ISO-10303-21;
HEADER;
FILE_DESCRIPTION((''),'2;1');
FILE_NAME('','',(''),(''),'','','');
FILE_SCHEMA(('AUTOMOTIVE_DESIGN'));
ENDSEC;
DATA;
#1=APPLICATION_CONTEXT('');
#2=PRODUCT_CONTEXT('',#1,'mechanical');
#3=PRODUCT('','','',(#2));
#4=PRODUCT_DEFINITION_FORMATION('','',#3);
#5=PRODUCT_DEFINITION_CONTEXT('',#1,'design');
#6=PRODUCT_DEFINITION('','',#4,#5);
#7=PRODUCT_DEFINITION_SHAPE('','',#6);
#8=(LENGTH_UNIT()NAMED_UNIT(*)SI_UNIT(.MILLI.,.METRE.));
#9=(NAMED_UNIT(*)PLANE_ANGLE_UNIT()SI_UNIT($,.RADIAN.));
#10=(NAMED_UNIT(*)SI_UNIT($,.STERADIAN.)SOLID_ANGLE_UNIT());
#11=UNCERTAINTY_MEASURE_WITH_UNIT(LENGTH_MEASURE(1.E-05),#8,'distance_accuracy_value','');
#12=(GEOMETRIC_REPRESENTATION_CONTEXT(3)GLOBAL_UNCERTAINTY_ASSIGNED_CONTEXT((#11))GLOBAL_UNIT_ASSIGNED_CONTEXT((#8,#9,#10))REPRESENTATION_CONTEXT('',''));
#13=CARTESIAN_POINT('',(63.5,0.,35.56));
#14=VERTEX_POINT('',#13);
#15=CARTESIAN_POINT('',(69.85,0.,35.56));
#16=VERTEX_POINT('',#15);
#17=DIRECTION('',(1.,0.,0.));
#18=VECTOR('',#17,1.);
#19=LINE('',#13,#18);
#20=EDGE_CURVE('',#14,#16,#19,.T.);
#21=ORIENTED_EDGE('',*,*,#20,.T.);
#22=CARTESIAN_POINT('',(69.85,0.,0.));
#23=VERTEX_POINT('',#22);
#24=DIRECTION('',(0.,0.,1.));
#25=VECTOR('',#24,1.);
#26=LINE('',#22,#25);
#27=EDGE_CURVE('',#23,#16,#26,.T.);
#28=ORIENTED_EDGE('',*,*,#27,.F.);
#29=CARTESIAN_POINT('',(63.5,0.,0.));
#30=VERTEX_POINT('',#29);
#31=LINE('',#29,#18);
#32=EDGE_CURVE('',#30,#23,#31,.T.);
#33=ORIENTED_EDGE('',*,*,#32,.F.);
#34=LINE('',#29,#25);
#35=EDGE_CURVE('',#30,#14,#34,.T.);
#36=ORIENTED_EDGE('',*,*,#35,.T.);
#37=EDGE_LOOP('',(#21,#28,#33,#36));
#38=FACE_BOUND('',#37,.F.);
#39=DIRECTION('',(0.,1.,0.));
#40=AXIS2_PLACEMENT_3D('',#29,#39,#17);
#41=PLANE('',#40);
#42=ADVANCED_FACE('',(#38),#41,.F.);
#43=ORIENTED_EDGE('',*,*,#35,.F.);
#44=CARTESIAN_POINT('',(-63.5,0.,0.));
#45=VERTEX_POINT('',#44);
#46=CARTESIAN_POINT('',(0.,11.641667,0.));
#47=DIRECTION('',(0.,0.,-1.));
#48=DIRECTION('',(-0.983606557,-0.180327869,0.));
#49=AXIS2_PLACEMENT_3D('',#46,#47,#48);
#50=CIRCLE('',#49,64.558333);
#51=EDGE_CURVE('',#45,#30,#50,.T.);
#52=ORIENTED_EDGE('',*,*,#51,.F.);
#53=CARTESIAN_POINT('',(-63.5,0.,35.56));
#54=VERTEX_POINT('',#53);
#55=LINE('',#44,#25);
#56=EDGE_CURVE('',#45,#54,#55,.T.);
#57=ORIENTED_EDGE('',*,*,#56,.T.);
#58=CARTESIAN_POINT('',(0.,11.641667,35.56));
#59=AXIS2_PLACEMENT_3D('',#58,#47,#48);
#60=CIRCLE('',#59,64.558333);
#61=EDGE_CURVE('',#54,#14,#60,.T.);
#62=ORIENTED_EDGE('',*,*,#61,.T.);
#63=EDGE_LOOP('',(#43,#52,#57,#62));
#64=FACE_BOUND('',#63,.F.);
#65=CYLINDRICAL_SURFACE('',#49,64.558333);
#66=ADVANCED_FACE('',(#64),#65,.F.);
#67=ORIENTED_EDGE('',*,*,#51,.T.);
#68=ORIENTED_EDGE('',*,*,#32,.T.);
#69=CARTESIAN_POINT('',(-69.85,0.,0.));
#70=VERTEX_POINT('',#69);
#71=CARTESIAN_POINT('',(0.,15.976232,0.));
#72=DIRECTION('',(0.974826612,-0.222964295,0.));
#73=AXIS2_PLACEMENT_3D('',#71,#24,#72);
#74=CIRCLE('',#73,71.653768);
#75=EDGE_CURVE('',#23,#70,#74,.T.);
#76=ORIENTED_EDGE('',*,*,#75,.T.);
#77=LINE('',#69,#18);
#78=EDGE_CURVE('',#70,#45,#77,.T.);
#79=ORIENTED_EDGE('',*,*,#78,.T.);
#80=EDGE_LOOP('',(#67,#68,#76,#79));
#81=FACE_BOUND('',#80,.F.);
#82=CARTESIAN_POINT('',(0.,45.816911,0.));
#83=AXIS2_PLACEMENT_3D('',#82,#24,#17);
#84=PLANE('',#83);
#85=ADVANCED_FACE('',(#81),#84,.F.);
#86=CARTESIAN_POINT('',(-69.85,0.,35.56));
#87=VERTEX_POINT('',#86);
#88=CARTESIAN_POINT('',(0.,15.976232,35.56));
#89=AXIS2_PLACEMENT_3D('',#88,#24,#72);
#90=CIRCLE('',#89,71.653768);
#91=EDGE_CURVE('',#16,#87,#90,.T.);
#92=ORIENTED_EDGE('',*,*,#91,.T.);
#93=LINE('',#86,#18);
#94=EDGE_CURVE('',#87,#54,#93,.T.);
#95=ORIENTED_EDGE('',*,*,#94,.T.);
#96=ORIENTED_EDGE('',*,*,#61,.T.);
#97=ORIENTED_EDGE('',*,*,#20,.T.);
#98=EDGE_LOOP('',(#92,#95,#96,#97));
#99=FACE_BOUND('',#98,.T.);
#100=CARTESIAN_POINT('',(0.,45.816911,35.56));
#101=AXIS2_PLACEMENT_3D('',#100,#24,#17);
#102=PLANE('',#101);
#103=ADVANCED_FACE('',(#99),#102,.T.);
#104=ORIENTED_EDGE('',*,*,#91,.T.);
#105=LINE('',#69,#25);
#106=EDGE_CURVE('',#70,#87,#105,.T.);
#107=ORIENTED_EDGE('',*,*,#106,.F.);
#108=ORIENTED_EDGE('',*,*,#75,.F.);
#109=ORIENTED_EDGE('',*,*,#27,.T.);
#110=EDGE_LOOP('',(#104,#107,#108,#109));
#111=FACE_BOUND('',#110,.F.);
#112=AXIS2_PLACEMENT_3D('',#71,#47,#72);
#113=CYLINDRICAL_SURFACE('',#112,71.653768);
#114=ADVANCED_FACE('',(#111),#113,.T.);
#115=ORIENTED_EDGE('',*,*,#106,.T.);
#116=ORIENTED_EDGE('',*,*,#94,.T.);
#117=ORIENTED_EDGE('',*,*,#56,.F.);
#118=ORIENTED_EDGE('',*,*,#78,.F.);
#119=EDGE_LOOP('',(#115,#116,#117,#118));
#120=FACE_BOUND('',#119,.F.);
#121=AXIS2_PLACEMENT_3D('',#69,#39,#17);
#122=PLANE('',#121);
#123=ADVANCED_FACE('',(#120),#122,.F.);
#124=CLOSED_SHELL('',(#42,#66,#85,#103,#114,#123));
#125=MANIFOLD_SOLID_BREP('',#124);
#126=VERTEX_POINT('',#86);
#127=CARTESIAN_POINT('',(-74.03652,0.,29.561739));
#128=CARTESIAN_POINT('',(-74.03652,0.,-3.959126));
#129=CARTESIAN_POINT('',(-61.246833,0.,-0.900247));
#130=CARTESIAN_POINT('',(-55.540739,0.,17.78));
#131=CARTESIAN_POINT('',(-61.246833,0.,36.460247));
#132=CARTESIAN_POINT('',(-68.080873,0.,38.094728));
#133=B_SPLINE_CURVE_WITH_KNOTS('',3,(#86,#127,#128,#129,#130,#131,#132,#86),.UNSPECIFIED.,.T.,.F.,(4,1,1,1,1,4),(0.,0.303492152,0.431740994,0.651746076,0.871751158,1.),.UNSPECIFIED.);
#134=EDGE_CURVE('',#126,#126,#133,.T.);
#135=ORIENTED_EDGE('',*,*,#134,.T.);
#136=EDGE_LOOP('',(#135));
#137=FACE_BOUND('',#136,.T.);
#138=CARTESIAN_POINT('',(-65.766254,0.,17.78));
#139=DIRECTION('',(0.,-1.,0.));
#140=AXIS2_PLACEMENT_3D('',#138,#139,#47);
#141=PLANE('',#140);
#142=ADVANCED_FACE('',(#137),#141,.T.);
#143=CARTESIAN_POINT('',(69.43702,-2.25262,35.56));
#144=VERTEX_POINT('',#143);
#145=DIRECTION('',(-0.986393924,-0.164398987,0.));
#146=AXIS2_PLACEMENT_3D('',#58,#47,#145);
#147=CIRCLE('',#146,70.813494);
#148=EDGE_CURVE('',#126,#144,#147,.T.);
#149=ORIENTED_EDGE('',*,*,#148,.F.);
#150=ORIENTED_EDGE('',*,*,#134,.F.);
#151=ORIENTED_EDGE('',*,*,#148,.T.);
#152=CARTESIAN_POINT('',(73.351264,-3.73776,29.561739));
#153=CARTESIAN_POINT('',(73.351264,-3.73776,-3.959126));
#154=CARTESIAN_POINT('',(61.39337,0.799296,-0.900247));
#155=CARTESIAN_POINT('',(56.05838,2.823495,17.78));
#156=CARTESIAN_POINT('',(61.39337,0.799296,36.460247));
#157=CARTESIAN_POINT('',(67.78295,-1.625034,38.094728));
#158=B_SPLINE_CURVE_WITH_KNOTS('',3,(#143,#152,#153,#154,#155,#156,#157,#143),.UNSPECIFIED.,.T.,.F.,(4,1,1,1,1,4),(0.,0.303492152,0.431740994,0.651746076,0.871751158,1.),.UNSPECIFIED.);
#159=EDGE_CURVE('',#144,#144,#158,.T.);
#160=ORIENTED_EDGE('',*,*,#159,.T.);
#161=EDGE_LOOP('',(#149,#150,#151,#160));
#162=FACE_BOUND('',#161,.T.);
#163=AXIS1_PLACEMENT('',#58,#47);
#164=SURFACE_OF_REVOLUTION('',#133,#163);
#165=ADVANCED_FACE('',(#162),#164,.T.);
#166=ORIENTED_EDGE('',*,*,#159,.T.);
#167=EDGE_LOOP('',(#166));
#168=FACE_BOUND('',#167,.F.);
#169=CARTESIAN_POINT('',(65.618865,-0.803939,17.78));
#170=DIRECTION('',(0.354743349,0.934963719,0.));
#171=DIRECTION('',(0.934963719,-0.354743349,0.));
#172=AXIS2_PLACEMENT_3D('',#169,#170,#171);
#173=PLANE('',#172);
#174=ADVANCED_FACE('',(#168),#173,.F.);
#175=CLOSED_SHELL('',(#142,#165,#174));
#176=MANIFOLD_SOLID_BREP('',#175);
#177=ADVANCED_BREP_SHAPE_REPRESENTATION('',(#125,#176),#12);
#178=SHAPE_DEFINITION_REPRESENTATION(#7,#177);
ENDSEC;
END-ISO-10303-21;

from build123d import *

# Parameters (mm, degrees)
F1_DEPTH = 35.56


with BuildPart() as f1:
    # F0 (on Top) → F1 (new body)
    with BuildSketch(Plane.XY):
        with BuildLine():
            ThreePointArc((-63.5, 0), (0, 76.2), (63.5, 0))
            Line((63.5, 0), (69.85, 0))
            ThreePointArc((69.85, 0), (0, 87.63), (-69.85, 0))
            Line((-69.85, 0), (-63.5, 0))
        make_face()
    extrude(amount=F1_DEPTH)


with BuildPart() as f3:
    # F3: sweep along a path in F3_path
    with BuildLine(Plane(origin=(-63.5, 0, 35.56), x_dir=(0, 1, 0), z_dir=(0, 0, 1))) as f3_path:
        ThreePointArc((0, 0), (76.2, -63.5), (0, -127))
    # F2 (on Front) → F3 (sweep)
    with BuildSketch(Plane.XZ):
        with BuildLine():
            add(Edge.make_bspline(
                [(-69.85, 35.56), (-68.08087259, 38.0947278809), (-61.2468328543, 36.4602466947), (-55.5407393381, 17.78), (-61.2468328543, -0.9002466947), (-74.0365195616, -3.9591259387), (-74.0365195616, 29.5617390514), (-69.85, 35.56)],
                knots=[0, 0, 0, 0, 0.1282488418, 0.3482539239, 0.568259006, 0.6965078478, 1, 1, 1, 1], degree=3))
        make_face()
    sweep(path=f3_path.line)


solid = Compound([f1.part, f3.part])
